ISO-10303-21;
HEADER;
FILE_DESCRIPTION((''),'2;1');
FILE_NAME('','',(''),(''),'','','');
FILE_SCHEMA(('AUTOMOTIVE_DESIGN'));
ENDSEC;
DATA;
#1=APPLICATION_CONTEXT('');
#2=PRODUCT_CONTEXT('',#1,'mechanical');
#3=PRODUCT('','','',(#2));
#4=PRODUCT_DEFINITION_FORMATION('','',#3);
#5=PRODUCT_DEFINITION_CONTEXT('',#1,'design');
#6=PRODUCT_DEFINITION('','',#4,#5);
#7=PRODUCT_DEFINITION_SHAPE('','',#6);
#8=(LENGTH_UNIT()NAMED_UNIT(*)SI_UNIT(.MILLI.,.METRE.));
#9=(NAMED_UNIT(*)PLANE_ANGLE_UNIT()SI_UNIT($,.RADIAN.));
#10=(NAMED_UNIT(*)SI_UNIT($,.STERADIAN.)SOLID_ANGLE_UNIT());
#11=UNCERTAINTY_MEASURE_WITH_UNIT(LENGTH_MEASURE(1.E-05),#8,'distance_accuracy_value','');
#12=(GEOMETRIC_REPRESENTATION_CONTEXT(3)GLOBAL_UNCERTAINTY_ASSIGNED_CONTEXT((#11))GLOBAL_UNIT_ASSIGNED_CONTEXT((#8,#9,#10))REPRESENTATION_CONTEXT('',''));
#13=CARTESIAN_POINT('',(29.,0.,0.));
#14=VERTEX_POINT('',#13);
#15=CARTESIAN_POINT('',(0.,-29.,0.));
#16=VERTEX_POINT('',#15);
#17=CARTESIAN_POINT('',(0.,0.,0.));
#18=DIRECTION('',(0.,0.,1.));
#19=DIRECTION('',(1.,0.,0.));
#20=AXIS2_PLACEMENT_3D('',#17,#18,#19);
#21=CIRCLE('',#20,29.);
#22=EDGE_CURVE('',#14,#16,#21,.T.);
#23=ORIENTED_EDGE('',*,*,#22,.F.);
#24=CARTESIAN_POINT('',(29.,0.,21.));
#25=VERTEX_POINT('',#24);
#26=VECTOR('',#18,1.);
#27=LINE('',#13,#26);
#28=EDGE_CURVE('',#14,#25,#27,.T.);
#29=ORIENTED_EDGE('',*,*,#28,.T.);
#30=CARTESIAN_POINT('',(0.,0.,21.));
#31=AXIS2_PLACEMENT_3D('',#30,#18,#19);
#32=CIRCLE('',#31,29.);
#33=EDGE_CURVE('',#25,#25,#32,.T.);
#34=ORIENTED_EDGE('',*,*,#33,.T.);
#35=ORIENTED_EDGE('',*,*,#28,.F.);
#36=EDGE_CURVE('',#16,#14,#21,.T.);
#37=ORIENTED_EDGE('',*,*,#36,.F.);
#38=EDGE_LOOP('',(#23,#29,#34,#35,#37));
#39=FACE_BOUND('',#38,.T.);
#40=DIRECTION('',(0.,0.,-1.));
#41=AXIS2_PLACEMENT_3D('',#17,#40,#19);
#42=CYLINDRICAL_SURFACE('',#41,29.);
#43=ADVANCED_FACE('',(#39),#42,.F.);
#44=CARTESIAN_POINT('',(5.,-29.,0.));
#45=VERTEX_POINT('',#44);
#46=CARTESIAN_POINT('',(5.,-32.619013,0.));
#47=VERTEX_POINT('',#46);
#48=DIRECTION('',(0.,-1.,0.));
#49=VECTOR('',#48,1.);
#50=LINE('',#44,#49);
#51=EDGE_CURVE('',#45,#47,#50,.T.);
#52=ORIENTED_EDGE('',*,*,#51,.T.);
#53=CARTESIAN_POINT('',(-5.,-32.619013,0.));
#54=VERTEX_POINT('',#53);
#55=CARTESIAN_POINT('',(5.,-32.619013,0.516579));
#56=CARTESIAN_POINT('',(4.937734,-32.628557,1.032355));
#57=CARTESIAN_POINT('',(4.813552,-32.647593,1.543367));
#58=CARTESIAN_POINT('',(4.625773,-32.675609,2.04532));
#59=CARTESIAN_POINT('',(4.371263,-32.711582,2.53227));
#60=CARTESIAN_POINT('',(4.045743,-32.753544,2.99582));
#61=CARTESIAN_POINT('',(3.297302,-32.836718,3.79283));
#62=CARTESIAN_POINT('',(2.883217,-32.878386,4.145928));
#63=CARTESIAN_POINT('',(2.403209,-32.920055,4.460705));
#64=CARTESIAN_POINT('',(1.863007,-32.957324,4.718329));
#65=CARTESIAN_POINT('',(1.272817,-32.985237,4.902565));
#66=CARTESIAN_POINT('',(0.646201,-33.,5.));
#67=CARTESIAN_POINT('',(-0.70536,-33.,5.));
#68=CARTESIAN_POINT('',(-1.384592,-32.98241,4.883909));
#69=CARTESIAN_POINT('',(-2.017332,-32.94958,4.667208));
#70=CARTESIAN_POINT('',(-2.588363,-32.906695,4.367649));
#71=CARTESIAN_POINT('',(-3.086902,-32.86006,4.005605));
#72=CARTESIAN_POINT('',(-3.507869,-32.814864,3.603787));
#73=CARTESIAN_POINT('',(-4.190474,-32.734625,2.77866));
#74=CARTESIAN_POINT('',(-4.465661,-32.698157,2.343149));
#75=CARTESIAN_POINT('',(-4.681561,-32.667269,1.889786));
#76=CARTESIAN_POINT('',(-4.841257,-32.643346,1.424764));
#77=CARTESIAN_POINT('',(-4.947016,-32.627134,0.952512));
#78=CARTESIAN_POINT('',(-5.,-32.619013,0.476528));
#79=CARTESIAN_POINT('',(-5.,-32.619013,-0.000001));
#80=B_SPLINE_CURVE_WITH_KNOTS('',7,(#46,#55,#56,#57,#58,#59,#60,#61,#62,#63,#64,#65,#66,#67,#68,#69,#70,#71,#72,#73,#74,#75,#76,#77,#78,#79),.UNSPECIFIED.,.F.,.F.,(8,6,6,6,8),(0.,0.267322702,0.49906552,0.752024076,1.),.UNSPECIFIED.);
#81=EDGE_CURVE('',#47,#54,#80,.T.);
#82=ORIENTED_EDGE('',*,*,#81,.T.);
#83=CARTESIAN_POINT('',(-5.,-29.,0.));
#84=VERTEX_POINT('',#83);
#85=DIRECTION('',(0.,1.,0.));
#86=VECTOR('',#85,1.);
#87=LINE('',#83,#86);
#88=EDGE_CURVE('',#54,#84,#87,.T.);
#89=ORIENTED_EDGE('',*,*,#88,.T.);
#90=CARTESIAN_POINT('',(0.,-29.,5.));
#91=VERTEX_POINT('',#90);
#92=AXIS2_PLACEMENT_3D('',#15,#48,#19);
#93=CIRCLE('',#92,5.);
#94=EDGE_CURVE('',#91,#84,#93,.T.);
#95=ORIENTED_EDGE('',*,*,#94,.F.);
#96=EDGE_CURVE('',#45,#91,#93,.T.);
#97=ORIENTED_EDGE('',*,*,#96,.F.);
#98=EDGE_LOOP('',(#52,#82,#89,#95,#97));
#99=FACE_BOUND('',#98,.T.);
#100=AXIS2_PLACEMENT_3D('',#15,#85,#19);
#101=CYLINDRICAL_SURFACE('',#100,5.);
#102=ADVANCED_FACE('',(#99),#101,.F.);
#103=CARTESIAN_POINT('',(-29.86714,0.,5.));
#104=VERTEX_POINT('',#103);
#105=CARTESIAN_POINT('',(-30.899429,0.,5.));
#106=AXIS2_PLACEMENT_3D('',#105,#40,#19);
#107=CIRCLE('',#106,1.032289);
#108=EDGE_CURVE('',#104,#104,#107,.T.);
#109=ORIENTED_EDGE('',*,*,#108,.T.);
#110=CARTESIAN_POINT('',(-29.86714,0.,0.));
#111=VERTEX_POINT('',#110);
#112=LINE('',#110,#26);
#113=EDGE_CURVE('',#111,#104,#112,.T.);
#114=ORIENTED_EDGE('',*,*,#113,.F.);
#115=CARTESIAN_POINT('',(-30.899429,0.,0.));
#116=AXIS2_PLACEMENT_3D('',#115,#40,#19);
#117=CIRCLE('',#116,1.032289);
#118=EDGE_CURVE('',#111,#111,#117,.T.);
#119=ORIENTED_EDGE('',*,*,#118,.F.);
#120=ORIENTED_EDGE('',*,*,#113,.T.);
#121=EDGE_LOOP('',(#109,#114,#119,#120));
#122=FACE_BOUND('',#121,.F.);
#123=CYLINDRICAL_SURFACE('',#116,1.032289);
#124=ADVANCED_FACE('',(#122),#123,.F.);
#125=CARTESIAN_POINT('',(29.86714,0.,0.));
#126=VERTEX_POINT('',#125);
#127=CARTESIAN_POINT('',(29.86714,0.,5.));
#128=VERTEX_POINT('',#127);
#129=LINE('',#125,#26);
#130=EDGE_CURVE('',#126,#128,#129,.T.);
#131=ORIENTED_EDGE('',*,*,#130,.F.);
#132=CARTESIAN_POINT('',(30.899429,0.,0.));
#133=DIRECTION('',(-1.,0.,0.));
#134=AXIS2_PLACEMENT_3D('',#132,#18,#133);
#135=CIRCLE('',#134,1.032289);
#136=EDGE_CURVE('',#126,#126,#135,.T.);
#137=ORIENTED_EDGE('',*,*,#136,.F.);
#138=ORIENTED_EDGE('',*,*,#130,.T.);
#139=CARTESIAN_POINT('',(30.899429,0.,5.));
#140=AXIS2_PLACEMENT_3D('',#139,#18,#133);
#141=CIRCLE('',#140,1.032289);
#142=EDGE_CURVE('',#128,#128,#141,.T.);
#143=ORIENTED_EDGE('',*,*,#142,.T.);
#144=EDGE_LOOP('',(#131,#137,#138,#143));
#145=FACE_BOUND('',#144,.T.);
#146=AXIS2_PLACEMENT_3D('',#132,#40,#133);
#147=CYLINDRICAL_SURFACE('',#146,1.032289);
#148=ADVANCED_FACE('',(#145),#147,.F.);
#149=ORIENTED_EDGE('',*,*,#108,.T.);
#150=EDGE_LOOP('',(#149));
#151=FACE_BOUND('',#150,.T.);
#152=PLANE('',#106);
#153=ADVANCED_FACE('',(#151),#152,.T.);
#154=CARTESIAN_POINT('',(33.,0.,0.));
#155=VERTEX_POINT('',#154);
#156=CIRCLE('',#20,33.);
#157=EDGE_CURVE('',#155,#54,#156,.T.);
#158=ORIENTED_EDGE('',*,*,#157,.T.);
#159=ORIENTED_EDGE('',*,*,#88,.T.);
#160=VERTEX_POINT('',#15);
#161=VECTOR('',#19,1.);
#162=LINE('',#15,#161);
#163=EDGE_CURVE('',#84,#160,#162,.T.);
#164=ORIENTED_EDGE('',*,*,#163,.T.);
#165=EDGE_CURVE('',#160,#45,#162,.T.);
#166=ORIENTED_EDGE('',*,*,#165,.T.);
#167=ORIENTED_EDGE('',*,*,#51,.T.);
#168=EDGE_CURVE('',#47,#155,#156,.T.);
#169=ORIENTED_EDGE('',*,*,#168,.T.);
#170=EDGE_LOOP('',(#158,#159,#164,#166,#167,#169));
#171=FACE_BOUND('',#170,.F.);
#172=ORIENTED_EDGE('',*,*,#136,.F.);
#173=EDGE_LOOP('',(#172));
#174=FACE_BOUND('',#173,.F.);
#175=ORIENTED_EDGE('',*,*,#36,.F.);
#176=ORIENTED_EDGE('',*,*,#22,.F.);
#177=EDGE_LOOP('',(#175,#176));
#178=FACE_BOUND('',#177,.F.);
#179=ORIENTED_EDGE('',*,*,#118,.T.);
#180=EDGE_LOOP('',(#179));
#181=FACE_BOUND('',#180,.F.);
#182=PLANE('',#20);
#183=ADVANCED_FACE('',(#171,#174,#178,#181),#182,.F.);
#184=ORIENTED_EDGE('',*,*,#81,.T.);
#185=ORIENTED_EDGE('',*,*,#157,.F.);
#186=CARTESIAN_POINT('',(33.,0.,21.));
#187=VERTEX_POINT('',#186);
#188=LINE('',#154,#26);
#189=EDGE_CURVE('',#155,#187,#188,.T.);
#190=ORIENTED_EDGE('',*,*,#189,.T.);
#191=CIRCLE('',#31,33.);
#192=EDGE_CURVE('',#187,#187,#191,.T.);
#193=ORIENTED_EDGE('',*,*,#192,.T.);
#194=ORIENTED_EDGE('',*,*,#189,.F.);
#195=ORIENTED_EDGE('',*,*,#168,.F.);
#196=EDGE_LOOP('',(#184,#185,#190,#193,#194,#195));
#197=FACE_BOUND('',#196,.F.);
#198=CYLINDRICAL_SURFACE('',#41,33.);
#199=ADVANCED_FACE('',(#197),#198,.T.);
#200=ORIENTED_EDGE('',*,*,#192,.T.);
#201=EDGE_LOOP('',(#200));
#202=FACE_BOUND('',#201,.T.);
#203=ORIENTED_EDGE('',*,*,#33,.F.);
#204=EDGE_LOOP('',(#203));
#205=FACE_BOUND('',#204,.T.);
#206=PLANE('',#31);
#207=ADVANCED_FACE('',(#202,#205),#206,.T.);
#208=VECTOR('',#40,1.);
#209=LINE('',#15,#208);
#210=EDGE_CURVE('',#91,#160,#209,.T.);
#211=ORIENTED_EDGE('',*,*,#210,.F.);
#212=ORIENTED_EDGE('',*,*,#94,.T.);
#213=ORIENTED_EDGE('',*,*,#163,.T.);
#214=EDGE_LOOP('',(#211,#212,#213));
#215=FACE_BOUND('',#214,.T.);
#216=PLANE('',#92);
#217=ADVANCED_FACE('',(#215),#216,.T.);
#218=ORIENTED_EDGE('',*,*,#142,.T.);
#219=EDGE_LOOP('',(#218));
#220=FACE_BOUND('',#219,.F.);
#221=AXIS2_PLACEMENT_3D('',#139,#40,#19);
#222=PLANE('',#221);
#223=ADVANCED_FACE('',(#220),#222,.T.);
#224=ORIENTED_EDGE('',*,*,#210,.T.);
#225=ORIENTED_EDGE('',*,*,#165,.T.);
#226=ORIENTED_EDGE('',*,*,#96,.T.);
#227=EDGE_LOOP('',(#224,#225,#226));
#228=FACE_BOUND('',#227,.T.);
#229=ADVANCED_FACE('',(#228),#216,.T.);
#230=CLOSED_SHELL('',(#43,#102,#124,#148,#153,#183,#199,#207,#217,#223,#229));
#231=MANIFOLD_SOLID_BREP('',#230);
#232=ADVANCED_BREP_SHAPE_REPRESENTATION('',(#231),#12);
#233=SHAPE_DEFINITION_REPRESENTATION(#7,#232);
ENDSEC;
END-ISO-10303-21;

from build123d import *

# Parameters (mm, degrees)
CYLINDER_R     = 5
CYLINDER_DEPTH = 10
TUBE_R         = 33
TUBE_R_2       = 29
TUBE_DEPTH     = 21
SKETCH001_R    = 1.032289
POCKET_DEPTH   = 5


with BuildPart() as cylinder:
    # Cylinder → Cylinder (new body)
    with BuildSketch(Plane.XZ.offset(29)):
        Circle(CYLINDER_R)
    extrude(amount=CYLINDER_DEPTH)


with BuildPart() as body004:
    # Tube → Tube (new body)
    with BuildSketch(Plane.XY):
        Circle(TUBE_R)
        Circle(TUBE_R_2, mode=Mode.SUBTRACT)
    extrude(amount=TUBE_DEPTH)

    # Cut: cut Cylinder
    add(cylinder.part, mode=Mode.SUBTRACT)

    # Sketch001 (on DatumPlane) → Pocket (cut)
    with BuildSketch(Plane(origin=(0, 0, 0), x_dir=(1, 0, 0), z_dir=(0, 0, -1))):
        with Locations((-30.899429, 0)):
            Circle(SKETCH001_R)
    pocket = extrude(amount=-POCKET_DEPTH, mode=Mode.SUBTRACT)

    # Mirrored: Pocket across Sketch001 V_Axis
    add(pocket.mirror(Plane(origin=(0, 0, 0), x_dir=(0, 0, -1), z_dir=(1, 0, 0))), mode=Mode.SUBTRACT)


solid = body004.part
